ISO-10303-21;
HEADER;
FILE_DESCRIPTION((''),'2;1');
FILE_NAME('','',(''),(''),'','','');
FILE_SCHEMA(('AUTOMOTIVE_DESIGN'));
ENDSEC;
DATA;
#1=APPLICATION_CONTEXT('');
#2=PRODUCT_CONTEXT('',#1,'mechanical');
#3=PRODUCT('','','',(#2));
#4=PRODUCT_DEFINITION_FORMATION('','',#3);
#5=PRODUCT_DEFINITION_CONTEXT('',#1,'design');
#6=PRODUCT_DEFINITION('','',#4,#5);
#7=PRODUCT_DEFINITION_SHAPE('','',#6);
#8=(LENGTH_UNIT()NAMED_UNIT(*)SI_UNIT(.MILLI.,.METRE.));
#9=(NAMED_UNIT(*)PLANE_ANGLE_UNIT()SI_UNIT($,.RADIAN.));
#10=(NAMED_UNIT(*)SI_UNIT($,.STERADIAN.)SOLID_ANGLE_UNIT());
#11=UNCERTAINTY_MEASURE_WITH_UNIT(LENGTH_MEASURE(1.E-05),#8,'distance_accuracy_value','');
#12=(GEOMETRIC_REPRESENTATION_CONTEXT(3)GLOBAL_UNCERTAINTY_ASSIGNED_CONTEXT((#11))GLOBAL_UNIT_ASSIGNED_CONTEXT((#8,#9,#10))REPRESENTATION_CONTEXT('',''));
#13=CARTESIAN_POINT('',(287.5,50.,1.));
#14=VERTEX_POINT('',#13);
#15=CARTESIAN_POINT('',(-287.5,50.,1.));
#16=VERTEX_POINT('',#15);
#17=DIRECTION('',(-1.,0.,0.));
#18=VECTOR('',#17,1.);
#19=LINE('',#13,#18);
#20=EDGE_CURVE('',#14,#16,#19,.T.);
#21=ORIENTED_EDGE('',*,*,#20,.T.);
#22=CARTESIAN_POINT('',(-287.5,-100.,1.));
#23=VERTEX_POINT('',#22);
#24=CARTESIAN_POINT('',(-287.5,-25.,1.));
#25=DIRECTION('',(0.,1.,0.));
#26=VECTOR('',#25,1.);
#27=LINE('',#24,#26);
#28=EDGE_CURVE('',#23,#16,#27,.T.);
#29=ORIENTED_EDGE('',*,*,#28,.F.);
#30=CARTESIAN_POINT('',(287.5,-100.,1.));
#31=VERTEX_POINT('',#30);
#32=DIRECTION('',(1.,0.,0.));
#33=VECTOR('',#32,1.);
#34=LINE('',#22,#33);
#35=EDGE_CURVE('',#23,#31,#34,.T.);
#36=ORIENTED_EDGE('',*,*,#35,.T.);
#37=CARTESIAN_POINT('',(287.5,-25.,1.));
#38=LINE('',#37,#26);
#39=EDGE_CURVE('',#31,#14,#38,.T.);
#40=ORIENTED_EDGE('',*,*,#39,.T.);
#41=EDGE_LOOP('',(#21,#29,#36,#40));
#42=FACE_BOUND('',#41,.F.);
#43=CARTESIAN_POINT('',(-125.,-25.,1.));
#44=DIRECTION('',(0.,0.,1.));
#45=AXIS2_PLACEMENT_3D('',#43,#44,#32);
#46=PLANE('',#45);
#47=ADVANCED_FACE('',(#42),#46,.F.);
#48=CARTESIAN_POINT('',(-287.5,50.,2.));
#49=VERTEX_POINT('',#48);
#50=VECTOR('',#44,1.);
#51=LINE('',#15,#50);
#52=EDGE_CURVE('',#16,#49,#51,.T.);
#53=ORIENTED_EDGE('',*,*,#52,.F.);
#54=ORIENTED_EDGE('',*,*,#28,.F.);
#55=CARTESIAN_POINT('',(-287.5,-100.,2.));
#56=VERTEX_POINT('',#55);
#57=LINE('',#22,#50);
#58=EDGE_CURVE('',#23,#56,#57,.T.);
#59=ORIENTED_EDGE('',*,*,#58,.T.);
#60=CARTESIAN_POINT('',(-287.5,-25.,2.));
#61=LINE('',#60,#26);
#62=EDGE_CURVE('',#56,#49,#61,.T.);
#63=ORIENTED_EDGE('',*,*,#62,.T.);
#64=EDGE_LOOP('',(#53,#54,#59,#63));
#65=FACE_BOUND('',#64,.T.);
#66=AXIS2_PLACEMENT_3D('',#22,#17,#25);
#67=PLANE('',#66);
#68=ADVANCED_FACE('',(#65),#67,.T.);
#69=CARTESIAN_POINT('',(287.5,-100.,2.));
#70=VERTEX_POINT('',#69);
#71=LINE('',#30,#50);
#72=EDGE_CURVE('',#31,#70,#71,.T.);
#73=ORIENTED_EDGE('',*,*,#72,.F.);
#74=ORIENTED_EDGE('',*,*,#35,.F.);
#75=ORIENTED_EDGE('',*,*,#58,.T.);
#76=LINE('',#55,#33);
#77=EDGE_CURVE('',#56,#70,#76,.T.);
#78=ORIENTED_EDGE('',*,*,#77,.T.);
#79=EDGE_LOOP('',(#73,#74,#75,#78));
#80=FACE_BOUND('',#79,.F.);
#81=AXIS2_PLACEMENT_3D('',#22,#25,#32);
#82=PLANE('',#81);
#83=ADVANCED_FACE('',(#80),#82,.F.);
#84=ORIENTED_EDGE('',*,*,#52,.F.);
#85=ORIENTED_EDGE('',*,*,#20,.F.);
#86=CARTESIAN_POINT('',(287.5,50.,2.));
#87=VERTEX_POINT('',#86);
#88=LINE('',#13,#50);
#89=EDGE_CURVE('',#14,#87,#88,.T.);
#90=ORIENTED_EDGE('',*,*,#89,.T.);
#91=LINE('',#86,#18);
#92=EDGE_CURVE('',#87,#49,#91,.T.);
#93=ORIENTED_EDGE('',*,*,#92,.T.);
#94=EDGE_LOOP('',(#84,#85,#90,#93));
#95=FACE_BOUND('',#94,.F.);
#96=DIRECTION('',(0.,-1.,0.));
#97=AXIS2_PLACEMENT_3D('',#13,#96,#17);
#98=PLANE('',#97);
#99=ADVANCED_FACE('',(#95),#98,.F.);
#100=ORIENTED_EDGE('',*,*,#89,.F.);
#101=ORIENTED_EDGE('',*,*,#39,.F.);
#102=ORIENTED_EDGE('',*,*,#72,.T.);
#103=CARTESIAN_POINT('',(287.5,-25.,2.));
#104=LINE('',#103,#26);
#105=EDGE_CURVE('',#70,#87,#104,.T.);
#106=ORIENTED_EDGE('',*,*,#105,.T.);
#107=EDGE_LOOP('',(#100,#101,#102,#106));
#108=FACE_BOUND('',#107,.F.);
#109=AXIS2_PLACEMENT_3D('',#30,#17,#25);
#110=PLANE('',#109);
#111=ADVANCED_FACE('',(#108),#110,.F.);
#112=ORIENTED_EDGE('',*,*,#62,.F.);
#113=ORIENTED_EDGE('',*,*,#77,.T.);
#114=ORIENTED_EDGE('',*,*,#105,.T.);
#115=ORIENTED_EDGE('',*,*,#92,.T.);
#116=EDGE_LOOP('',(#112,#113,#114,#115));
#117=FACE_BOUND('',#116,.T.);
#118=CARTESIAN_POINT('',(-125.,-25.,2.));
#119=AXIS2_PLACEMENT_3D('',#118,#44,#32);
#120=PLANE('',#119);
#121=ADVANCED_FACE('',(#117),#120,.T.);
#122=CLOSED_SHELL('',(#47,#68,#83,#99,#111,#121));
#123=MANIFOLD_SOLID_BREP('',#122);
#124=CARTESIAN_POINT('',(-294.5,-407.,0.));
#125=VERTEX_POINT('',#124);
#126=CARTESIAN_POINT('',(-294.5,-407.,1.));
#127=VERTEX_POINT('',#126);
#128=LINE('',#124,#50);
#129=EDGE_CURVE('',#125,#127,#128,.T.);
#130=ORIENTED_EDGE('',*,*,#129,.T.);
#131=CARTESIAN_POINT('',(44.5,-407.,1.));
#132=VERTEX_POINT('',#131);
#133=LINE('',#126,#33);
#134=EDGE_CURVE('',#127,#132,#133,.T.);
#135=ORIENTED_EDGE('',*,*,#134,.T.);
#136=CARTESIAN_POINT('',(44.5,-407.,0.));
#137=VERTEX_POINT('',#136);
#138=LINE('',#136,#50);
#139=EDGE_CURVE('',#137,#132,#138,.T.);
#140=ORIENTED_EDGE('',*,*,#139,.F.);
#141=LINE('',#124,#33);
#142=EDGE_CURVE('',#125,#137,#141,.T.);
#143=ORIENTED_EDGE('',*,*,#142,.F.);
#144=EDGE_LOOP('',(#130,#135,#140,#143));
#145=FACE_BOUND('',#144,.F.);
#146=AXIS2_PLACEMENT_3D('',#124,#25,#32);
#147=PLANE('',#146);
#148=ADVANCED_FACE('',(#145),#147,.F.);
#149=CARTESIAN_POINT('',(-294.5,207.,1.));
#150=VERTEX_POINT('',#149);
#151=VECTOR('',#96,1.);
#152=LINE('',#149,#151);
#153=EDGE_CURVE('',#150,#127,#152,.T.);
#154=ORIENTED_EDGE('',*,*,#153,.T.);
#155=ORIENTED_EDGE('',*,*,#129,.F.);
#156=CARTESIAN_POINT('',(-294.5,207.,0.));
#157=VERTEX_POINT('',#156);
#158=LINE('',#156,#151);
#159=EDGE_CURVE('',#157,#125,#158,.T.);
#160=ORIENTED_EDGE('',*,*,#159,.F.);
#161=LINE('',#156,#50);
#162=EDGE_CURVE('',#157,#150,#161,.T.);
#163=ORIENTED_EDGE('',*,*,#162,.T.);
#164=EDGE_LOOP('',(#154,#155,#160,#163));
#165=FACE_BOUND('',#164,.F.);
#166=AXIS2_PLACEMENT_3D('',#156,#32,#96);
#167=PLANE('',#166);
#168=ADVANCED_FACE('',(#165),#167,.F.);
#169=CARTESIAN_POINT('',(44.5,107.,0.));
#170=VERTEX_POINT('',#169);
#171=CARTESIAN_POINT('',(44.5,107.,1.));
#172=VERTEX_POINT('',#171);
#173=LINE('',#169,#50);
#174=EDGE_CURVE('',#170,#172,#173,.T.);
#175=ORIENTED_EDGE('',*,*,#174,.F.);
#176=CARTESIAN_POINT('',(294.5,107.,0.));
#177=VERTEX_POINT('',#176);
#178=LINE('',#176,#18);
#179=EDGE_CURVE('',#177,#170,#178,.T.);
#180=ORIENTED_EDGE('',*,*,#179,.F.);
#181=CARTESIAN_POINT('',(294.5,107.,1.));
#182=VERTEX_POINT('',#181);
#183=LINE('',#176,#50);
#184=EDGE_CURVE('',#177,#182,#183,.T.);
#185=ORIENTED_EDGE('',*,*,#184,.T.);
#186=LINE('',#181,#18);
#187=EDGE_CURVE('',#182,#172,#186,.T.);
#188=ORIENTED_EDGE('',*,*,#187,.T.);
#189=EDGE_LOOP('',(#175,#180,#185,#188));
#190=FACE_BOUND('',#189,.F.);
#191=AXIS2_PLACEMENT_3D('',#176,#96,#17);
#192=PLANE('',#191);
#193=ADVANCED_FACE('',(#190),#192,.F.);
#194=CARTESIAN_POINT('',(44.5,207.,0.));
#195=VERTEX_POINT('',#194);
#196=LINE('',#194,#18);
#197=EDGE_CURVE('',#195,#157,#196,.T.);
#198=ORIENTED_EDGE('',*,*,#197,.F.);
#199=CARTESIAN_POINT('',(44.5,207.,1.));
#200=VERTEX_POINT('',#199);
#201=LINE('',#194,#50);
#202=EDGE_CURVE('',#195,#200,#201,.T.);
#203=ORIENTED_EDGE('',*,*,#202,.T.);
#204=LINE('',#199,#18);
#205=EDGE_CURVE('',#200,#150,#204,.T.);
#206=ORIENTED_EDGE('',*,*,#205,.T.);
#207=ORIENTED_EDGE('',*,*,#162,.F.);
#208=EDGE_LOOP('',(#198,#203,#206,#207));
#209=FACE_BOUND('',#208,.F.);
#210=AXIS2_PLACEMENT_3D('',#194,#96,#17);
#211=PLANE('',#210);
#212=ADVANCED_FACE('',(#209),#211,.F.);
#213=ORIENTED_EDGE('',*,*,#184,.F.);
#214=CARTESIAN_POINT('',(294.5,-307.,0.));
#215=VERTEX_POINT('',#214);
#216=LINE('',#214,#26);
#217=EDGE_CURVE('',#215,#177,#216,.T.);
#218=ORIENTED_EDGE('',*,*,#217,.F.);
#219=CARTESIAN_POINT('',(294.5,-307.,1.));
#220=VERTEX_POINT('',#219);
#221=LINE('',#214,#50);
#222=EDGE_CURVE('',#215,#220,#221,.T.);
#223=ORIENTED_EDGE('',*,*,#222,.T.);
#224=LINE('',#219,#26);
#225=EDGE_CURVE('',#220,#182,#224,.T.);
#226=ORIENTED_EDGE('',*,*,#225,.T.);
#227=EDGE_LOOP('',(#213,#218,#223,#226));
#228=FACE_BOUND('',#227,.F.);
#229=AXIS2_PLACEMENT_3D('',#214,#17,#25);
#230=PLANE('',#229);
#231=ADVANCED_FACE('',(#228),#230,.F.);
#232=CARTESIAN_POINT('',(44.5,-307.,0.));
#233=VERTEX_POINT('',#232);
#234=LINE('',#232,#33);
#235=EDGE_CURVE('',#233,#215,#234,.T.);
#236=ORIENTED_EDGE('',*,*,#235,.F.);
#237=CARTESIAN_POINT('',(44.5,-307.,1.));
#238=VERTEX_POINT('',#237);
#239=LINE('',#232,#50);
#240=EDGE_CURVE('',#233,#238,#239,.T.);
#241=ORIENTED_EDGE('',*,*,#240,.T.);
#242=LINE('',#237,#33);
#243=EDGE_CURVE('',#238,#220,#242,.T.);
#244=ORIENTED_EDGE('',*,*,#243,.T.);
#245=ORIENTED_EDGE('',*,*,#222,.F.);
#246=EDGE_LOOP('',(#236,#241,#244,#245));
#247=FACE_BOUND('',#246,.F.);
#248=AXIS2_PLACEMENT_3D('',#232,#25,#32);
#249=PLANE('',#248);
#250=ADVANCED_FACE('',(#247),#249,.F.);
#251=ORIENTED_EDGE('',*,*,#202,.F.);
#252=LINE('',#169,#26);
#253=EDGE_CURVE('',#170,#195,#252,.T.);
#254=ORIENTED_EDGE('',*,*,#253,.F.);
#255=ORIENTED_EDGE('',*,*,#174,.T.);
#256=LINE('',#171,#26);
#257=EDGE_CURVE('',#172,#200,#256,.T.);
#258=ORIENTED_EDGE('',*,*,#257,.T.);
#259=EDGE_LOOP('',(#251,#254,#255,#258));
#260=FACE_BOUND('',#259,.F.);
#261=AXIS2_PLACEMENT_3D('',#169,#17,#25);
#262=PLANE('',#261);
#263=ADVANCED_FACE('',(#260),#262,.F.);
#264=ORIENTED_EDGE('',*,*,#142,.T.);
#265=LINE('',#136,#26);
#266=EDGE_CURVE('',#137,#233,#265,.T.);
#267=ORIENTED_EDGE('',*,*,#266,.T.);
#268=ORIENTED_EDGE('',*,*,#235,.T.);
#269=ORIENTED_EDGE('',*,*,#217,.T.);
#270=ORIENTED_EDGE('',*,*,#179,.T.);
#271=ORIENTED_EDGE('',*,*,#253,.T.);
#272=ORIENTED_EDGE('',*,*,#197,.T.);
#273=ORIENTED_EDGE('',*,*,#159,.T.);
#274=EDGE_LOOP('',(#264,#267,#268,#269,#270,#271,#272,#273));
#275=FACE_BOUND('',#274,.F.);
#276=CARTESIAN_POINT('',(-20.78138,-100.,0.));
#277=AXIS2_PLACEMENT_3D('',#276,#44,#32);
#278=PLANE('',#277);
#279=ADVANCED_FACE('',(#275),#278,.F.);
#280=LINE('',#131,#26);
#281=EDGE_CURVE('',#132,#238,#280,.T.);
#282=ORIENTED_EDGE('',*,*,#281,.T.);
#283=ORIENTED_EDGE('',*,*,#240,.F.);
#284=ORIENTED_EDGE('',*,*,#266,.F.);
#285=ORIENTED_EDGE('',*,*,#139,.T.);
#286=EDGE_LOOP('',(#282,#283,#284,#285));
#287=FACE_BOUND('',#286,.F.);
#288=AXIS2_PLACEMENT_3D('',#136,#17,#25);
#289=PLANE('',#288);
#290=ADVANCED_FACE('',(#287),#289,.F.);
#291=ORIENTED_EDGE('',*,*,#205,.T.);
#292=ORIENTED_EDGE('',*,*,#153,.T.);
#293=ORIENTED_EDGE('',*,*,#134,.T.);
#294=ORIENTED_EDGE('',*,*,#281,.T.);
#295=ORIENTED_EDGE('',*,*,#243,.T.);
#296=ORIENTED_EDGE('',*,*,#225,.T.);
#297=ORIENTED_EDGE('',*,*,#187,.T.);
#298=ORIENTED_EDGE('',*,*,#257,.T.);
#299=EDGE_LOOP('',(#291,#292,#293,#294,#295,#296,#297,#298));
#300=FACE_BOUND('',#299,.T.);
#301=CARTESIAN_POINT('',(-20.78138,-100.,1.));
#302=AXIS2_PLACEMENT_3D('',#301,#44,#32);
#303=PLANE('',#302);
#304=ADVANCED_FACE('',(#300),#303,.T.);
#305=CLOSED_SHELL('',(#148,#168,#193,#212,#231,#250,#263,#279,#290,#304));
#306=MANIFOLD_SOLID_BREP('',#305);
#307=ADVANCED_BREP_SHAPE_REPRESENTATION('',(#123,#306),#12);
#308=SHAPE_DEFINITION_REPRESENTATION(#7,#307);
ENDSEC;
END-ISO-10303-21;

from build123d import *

# Parameters (mm, degrees)
F0_W     = 100
F0_H     = 31
F2_DEPTH = 1
F3_START = 1
F1_W     = 325
F1_H     = 150
F1_W_2   = 250
F3_DEPTH = 1


with BuildPart() as f2:
    # F0 (on Top) → F2 (new body)
    with BuildSketch(Plane.XY):
        Polygon((-294.5, 100), (-294.5, -100), (-294.5, -300), (-294.5, -407), (44.5, -407), (44.5, -307), (294.5, -307), (294.5, -100), (294.5, 107), (44.5, 107), (44.5, 207), (-294.5, 207), align=None)
        with Locations((212.5101804733, -57.5)):
            Rectangle(F0_W, F0_H, mode=Mode.SUBTRACT)
        with Locations((212.5101804733, 57.5)):
            Rectangle(F0_W, F0_H, mode=Mode.SUBTRACT)
        with Locations((212.5101804733, 57.5)):
            Rectangle(F0_W, F0_H)
        with Locations((212.5101804733, -57.5)):
            Rectangle(F0_W, F0_H)
    extrude(amount=F2_DEPTH)


with BuildPart() as f3:
    # F1 (on Top) → F3 (new body)
    with BuildSketch(Plane.XY.offset(F3_START)):
        with Locations((-125, -25)):
            Rectangle(F1_W, F1_H)
        with Locations((162.5, -25)):
            Rectangle(F1_W_2, F1_H)
    extrude(amount=F3_DEPTH)


solid = Compound([f2.part, f3.part])
